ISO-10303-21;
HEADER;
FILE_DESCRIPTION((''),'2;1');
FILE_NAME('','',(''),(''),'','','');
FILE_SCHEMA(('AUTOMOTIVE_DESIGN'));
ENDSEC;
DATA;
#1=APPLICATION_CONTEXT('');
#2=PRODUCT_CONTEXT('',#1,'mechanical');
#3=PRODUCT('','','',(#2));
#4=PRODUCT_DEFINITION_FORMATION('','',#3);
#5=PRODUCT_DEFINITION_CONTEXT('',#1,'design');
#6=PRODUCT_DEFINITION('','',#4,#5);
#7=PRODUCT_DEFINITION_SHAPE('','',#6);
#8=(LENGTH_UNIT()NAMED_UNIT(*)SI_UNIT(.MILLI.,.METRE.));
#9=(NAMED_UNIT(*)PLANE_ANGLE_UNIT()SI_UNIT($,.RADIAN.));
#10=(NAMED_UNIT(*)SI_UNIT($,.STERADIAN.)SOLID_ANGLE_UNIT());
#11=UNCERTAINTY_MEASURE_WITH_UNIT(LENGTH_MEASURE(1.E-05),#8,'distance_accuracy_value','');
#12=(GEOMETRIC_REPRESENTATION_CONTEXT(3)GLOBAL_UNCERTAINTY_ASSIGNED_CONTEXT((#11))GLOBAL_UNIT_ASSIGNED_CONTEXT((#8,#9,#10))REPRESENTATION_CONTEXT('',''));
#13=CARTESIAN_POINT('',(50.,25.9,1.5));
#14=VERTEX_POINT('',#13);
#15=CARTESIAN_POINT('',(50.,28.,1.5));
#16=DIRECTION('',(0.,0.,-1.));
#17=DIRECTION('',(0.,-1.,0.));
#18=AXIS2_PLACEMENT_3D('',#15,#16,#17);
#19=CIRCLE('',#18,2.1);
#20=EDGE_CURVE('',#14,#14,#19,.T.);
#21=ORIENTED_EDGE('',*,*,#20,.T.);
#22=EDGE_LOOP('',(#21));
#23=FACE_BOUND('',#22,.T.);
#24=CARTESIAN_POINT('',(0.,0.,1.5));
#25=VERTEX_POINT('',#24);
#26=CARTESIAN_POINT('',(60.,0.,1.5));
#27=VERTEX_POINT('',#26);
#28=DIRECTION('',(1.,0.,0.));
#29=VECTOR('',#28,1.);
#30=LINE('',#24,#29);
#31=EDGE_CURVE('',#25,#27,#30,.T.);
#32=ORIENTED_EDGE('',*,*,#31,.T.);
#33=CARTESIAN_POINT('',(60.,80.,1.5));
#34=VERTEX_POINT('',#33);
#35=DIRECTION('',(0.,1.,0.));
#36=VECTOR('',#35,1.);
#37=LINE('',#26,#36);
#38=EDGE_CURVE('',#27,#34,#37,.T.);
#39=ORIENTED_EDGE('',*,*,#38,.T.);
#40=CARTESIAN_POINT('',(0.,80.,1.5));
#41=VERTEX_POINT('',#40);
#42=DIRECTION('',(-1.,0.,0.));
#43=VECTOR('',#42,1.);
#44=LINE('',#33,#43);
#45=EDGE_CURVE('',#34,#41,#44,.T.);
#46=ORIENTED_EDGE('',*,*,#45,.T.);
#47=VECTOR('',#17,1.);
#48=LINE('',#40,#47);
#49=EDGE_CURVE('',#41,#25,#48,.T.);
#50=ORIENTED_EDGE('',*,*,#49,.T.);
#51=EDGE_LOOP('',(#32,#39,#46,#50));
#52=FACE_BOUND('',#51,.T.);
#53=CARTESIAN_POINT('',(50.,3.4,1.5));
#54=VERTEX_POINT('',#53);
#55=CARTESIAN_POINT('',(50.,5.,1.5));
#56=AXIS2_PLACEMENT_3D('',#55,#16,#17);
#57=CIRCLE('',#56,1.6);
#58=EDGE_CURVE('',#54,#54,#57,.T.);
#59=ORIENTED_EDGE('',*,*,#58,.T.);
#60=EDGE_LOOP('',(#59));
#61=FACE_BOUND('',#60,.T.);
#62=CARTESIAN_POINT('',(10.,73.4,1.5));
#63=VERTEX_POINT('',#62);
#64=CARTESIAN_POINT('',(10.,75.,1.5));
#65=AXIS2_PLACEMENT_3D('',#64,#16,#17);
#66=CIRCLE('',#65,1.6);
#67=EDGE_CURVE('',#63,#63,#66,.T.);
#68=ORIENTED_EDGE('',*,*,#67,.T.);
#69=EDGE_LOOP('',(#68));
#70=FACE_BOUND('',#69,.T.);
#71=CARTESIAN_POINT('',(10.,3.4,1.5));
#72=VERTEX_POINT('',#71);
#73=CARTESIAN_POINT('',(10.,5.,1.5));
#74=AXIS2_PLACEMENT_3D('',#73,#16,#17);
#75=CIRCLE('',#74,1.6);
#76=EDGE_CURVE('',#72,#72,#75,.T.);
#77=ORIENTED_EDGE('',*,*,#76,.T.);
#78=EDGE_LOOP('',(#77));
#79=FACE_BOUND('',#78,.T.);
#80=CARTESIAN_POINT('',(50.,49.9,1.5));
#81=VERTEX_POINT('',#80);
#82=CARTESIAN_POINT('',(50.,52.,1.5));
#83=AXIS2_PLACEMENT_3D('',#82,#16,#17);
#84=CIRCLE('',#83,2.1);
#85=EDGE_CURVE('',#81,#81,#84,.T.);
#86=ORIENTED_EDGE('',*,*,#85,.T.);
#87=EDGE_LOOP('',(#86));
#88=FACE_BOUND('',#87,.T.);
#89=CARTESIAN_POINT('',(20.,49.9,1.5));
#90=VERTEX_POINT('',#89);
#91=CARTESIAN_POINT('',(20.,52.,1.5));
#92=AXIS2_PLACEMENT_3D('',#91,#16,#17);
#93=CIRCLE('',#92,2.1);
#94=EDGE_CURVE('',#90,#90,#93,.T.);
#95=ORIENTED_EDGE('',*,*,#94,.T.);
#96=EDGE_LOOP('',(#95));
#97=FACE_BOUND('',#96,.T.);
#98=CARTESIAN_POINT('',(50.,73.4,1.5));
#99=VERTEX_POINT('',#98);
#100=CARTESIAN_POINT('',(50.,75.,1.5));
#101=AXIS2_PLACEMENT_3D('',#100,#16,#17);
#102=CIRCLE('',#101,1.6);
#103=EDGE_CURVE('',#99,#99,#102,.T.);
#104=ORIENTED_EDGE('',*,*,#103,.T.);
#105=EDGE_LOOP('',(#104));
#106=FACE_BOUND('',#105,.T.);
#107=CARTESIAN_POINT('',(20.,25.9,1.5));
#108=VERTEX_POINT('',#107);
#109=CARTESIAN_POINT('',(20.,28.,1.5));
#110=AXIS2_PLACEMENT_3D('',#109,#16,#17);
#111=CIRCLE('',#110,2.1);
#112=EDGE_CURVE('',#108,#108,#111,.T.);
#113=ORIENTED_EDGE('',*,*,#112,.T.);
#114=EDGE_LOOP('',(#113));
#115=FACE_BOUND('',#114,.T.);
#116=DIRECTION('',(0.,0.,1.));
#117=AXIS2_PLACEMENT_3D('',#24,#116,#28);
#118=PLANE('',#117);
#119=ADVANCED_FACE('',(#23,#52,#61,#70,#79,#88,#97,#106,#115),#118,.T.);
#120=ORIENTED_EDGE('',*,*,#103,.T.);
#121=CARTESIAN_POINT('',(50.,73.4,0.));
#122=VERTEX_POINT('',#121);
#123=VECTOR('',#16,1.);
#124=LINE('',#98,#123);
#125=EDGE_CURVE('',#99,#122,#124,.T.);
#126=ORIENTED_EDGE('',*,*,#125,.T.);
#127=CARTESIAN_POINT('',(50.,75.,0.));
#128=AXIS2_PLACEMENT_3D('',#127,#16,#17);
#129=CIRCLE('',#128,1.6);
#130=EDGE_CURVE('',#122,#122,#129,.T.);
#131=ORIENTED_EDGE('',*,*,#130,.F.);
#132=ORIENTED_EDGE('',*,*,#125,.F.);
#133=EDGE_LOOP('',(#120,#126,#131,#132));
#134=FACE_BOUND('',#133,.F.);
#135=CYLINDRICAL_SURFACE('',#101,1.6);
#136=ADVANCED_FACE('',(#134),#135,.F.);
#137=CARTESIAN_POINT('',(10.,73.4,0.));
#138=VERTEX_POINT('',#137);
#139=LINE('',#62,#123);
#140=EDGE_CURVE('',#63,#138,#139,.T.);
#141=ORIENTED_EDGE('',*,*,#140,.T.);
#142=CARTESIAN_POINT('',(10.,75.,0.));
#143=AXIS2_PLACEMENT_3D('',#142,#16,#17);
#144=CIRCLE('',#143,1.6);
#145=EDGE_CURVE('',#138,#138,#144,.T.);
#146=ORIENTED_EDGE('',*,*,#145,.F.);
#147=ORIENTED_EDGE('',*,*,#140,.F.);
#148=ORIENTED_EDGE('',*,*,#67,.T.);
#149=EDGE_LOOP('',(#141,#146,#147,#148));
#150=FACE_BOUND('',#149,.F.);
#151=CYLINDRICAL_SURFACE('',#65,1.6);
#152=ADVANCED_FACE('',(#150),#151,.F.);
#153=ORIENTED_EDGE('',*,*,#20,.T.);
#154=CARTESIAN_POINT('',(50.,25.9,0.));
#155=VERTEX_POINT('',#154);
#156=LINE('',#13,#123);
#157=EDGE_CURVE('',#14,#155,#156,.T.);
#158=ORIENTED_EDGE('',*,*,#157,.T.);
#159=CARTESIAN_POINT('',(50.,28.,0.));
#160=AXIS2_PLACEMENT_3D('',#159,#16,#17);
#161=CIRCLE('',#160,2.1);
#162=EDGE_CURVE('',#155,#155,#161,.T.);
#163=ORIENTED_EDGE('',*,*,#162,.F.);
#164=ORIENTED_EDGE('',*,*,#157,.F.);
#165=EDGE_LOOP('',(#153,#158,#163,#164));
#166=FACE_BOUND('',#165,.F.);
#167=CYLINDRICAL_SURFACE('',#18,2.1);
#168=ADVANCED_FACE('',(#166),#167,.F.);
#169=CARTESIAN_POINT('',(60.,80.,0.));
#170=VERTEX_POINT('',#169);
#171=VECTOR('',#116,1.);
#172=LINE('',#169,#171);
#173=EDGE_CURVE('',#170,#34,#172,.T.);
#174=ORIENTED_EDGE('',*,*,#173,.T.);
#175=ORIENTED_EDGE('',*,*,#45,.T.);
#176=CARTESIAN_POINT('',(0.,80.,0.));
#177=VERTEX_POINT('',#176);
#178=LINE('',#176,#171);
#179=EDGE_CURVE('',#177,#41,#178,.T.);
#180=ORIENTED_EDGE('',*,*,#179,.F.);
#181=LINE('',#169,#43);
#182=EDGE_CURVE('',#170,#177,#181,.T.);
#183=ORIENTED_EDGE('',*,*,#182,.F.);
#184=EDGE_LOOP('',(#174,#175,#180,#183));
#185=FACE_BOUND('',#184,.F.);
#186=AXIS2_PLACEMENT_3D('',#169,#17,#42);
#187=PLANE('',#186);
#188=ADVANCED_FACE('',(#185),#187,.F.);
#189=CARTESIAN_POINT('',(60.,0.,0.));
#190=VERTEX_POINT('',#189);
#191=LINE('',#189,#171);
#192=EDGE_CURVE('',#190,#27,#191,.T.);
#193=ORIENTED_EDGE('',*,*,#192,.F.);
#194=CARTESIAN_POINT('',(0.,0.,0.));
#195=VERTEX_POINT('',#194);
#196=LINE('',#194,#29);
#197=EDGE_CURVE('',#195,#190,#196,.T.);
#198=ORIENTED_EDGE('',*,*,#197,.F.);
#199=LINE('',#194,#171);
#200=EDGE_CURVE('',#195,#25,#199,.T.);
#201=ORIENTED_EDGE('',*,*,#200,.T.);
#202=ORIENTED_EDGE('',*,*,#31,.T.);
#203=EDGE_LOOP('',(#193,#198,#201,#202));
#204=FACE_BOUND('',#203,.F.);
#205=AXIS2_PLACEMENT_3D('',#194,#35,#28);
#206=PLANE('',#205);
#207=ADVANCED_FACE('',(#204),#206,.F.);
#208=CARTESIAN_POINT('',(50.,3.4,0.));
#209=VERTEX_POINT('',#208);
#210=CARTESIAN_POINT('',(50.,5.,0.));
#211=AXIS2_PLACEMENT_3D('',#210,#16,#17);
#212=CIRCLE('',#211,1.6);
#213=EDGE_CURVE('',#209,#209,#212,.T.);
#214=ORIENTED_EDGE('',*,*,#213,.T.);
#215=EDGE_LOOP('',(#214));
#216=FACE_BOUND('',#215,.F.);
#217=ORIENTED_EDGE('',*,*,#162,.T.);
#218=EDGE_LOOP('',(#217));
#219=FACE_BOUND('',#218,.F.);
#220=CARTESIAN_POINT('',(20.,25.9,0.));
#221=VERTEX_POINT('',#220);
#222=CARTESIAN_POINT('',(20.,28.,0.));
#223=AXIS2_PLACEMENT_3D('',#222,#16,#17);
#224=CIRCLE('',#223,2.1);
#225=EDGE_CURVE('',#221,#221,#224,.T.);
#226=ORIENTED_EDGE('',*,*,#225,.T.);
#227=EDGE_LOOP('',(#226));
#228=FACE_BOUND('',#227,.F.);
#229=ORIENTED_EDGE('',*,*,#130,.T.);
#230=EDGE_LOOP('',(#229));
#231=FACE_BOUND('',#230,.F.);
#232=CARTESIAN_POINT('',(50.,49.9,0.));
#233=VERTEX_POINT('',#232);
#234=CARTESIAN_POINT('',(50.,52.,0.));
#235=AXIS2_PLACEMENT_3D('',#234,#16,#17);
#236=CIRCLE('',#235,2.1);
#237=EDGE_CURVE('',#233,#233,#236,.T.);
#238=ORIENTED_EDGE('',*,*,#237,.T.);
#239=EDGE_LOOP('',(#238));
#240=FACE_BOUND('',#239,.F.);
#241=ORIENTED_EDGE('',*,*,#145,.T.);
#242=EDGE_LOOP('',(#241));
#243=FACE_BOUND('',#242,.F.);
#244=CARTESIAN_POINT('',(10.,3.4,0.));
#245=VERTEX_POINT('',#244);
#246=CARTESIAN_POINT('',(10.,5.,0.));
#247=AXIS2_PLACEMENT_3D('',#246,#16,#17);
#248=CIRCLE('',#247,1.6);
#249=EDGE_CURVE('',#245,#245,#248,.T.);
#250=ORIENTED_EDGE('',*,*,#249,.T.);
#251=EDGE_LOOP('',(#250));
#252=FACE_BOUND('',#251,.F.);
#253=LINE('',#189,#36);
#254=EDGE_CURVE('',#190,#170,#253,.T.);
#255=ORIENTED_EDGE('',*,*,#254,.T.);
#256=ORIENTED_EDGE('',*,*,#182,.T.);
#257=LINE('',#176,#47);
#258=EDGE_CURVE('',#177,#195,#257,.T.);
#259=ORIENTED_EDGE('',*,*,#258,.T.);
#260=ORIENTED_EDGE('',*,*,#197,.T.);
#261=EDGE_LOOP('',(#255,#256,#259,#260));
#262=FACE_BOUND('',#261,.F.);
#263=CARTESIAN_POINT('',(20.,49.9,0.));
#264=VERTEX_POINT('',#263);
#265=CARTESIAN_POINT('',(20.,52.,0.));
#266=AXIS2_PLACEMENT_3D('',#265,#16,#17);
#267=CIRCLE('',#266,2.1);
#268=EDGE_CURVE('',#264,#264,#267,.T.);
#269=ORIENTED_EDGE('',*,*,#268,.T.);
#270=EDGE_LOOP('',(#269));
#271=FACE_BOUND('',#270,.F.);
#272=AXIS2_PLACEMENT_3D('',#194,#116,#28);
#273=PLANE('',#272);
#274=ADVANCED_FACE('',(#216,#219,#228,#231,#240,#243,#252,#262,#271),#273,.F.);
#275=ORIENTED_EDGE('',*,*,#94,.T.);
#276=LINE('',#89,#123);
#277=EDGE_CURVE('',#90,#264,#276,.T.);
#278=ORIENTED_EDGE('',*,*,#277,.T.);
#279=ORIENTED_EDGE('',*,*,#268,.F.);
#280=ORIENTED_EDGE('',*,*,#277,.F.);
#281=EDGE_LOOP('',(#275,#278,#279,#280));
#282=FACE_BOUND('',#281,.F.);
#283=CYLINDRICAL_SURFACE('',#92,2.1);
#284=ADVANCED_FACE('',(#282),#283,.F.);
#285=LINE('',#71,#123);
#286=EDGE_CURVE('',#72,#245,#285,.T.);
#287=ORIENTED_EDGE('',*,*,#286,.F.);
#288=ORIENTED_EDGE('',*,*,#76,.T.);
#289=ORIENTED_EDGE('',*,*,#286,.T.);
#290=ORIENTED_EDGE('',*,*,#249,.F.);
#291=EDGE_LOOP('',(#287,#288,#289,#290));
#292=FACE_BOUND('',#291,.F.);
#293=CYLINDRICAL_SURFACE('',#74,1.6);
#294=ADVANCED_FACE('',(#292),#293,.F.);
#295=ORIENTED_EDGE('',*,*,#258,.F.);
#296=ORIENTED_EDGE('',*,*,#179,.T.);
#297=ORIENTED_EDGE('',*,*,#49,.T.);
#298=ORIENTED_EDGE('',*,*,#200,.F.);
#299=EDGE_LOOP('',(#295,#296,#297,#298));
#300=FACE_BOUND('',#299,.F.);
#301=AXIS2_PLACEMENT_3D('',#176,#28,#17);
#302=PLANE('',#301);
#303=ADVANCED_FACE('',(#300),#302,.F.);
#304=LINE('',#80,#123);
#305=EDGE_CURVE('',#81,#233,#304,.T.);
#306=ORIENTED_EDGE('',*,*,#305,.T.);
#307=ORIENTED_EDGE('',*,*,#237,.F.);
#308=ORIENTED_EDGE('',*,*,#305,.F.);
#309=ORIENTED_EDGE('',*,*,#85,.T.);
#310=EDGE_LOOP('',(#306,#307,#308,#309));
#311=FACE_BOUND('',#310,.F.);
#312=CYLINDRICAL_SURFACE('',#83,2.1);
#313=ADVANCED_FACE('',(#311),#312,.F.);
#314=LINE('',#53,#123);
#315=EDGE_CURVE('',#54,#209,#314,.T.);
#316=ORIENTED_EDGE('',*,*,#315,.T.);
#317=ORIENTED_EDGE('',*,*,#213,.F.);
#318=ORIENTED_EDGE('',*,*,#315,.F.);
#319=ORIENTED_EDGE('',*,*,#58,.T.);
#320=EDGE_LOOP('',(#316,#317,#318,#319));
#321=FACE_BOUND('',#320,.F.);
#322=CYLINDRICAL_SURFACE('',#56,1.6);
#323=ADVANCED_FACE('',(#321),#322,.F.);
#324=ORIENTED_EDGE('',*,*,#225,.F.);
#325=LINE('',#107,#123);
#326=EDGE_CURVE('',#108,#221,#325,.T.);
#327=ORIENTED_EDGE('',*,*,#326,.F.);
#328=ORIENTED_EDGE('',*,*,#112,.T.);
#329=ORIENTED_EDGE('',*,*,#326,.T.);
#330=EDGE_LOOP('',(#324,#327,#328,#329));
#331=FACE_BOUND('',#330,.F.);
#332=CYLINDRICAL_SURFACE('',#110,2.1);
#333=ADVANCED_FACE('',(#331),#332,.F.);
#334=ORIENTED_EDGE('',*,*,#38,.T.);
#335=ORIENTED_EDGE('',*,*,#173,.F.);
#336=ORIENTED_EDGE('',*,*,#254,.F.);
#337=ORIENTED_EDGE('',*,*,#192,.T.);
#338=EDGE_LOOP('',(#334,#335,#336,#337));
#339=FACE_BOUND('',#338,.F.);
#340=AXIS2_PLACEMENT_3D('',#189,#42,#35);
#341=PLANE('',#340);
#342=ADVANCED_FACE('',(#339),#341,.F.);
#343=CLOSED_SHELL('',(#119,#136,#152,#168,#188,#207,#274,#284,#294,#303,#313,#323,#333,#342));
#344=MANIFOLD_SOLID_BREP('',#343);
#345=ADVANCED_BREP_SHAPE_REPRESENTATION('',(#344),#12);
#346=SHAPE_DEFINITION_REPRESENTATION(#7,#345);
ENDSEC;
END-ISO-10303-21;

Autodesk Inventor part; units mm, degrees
ref_plane "YZ Plane" through (0, 0, 0) normal (1, 0, 0) x (0, 1, 0)
ref_plane "XZ Plane" through (0, 0, 0) normal (0, 1, 0) x (-1, 0, 0)
ref_plane "XY Plane" through (0, 0, 0) normal (0, 0, 1) x (1, 0, 0)
sketch "スケッチ1" plane through (0, 0, 0) normal (0, 0, 1) x (1, 0, 0)
  line L0 (0, 0) -> (60, 0)
  line L1 (60, 0) -> (60, 80)
  line L2 (60, 80) -> (0, 80)
  line L3 (0, 80) -> (0, 0)
  dimension "d0" = 80
  dimension "d1" = 60
extrude "押し出し1" add sketch "スケッチ1" along normal blind 1.5
sketch "スケッチ2" plane through (0, 0, 1.5) normal (0, 0, 1) x (1, 0, 0)
  line L0 (60, 0) -> (60, 80) projected
  line L1 (0, 0) -> (60, 0) projected
  line L2 (60, 80) -> (0, 80) projected
  point P0 (10, 5)
  point P1 (50, 5)
  point P2 (50, 75)
  point P3 (10, 75)
  dimension "d4" = 10
  dimension "d5" = 40
  dimension "d7" = 5
  dimension "d8" = 5
hole "穴1" at (10, 5, 1.5) at (50, 5, 1.5) at (50, 75, 1.5) at (10, 75, 1.5) direction (0, 0, -1) diameter 3.2 depth 8.8 tip angle 118
sketch "スケッチ3" plane through (0, 0, 1.5) normal (0, 0, 1) x (1, 0, 0)
  line L0 (60, 80) -> (0, 80) projected
  line L1 (60, 0) -> (60, 80) projected
  point P0 (0, 0)
  point P1 (20, 52)
  point P2 (50, 52)
  point P3 (50, 28)
  point P4 (20, 28)
  dimension "d16" = 30
  dimension "d17" = 24
  dimension "d18" = 28
  dimension "d19" = 10
hole "穴2" at (20, 52, 1.5) at (50, 52, 1.5) at (50, 28, 1.5) at (20, 28, 1.5) direction (0, 0, -1) diameter 4.2 depth 8.8 tip angle 118
properties part number "キャスター土台"
